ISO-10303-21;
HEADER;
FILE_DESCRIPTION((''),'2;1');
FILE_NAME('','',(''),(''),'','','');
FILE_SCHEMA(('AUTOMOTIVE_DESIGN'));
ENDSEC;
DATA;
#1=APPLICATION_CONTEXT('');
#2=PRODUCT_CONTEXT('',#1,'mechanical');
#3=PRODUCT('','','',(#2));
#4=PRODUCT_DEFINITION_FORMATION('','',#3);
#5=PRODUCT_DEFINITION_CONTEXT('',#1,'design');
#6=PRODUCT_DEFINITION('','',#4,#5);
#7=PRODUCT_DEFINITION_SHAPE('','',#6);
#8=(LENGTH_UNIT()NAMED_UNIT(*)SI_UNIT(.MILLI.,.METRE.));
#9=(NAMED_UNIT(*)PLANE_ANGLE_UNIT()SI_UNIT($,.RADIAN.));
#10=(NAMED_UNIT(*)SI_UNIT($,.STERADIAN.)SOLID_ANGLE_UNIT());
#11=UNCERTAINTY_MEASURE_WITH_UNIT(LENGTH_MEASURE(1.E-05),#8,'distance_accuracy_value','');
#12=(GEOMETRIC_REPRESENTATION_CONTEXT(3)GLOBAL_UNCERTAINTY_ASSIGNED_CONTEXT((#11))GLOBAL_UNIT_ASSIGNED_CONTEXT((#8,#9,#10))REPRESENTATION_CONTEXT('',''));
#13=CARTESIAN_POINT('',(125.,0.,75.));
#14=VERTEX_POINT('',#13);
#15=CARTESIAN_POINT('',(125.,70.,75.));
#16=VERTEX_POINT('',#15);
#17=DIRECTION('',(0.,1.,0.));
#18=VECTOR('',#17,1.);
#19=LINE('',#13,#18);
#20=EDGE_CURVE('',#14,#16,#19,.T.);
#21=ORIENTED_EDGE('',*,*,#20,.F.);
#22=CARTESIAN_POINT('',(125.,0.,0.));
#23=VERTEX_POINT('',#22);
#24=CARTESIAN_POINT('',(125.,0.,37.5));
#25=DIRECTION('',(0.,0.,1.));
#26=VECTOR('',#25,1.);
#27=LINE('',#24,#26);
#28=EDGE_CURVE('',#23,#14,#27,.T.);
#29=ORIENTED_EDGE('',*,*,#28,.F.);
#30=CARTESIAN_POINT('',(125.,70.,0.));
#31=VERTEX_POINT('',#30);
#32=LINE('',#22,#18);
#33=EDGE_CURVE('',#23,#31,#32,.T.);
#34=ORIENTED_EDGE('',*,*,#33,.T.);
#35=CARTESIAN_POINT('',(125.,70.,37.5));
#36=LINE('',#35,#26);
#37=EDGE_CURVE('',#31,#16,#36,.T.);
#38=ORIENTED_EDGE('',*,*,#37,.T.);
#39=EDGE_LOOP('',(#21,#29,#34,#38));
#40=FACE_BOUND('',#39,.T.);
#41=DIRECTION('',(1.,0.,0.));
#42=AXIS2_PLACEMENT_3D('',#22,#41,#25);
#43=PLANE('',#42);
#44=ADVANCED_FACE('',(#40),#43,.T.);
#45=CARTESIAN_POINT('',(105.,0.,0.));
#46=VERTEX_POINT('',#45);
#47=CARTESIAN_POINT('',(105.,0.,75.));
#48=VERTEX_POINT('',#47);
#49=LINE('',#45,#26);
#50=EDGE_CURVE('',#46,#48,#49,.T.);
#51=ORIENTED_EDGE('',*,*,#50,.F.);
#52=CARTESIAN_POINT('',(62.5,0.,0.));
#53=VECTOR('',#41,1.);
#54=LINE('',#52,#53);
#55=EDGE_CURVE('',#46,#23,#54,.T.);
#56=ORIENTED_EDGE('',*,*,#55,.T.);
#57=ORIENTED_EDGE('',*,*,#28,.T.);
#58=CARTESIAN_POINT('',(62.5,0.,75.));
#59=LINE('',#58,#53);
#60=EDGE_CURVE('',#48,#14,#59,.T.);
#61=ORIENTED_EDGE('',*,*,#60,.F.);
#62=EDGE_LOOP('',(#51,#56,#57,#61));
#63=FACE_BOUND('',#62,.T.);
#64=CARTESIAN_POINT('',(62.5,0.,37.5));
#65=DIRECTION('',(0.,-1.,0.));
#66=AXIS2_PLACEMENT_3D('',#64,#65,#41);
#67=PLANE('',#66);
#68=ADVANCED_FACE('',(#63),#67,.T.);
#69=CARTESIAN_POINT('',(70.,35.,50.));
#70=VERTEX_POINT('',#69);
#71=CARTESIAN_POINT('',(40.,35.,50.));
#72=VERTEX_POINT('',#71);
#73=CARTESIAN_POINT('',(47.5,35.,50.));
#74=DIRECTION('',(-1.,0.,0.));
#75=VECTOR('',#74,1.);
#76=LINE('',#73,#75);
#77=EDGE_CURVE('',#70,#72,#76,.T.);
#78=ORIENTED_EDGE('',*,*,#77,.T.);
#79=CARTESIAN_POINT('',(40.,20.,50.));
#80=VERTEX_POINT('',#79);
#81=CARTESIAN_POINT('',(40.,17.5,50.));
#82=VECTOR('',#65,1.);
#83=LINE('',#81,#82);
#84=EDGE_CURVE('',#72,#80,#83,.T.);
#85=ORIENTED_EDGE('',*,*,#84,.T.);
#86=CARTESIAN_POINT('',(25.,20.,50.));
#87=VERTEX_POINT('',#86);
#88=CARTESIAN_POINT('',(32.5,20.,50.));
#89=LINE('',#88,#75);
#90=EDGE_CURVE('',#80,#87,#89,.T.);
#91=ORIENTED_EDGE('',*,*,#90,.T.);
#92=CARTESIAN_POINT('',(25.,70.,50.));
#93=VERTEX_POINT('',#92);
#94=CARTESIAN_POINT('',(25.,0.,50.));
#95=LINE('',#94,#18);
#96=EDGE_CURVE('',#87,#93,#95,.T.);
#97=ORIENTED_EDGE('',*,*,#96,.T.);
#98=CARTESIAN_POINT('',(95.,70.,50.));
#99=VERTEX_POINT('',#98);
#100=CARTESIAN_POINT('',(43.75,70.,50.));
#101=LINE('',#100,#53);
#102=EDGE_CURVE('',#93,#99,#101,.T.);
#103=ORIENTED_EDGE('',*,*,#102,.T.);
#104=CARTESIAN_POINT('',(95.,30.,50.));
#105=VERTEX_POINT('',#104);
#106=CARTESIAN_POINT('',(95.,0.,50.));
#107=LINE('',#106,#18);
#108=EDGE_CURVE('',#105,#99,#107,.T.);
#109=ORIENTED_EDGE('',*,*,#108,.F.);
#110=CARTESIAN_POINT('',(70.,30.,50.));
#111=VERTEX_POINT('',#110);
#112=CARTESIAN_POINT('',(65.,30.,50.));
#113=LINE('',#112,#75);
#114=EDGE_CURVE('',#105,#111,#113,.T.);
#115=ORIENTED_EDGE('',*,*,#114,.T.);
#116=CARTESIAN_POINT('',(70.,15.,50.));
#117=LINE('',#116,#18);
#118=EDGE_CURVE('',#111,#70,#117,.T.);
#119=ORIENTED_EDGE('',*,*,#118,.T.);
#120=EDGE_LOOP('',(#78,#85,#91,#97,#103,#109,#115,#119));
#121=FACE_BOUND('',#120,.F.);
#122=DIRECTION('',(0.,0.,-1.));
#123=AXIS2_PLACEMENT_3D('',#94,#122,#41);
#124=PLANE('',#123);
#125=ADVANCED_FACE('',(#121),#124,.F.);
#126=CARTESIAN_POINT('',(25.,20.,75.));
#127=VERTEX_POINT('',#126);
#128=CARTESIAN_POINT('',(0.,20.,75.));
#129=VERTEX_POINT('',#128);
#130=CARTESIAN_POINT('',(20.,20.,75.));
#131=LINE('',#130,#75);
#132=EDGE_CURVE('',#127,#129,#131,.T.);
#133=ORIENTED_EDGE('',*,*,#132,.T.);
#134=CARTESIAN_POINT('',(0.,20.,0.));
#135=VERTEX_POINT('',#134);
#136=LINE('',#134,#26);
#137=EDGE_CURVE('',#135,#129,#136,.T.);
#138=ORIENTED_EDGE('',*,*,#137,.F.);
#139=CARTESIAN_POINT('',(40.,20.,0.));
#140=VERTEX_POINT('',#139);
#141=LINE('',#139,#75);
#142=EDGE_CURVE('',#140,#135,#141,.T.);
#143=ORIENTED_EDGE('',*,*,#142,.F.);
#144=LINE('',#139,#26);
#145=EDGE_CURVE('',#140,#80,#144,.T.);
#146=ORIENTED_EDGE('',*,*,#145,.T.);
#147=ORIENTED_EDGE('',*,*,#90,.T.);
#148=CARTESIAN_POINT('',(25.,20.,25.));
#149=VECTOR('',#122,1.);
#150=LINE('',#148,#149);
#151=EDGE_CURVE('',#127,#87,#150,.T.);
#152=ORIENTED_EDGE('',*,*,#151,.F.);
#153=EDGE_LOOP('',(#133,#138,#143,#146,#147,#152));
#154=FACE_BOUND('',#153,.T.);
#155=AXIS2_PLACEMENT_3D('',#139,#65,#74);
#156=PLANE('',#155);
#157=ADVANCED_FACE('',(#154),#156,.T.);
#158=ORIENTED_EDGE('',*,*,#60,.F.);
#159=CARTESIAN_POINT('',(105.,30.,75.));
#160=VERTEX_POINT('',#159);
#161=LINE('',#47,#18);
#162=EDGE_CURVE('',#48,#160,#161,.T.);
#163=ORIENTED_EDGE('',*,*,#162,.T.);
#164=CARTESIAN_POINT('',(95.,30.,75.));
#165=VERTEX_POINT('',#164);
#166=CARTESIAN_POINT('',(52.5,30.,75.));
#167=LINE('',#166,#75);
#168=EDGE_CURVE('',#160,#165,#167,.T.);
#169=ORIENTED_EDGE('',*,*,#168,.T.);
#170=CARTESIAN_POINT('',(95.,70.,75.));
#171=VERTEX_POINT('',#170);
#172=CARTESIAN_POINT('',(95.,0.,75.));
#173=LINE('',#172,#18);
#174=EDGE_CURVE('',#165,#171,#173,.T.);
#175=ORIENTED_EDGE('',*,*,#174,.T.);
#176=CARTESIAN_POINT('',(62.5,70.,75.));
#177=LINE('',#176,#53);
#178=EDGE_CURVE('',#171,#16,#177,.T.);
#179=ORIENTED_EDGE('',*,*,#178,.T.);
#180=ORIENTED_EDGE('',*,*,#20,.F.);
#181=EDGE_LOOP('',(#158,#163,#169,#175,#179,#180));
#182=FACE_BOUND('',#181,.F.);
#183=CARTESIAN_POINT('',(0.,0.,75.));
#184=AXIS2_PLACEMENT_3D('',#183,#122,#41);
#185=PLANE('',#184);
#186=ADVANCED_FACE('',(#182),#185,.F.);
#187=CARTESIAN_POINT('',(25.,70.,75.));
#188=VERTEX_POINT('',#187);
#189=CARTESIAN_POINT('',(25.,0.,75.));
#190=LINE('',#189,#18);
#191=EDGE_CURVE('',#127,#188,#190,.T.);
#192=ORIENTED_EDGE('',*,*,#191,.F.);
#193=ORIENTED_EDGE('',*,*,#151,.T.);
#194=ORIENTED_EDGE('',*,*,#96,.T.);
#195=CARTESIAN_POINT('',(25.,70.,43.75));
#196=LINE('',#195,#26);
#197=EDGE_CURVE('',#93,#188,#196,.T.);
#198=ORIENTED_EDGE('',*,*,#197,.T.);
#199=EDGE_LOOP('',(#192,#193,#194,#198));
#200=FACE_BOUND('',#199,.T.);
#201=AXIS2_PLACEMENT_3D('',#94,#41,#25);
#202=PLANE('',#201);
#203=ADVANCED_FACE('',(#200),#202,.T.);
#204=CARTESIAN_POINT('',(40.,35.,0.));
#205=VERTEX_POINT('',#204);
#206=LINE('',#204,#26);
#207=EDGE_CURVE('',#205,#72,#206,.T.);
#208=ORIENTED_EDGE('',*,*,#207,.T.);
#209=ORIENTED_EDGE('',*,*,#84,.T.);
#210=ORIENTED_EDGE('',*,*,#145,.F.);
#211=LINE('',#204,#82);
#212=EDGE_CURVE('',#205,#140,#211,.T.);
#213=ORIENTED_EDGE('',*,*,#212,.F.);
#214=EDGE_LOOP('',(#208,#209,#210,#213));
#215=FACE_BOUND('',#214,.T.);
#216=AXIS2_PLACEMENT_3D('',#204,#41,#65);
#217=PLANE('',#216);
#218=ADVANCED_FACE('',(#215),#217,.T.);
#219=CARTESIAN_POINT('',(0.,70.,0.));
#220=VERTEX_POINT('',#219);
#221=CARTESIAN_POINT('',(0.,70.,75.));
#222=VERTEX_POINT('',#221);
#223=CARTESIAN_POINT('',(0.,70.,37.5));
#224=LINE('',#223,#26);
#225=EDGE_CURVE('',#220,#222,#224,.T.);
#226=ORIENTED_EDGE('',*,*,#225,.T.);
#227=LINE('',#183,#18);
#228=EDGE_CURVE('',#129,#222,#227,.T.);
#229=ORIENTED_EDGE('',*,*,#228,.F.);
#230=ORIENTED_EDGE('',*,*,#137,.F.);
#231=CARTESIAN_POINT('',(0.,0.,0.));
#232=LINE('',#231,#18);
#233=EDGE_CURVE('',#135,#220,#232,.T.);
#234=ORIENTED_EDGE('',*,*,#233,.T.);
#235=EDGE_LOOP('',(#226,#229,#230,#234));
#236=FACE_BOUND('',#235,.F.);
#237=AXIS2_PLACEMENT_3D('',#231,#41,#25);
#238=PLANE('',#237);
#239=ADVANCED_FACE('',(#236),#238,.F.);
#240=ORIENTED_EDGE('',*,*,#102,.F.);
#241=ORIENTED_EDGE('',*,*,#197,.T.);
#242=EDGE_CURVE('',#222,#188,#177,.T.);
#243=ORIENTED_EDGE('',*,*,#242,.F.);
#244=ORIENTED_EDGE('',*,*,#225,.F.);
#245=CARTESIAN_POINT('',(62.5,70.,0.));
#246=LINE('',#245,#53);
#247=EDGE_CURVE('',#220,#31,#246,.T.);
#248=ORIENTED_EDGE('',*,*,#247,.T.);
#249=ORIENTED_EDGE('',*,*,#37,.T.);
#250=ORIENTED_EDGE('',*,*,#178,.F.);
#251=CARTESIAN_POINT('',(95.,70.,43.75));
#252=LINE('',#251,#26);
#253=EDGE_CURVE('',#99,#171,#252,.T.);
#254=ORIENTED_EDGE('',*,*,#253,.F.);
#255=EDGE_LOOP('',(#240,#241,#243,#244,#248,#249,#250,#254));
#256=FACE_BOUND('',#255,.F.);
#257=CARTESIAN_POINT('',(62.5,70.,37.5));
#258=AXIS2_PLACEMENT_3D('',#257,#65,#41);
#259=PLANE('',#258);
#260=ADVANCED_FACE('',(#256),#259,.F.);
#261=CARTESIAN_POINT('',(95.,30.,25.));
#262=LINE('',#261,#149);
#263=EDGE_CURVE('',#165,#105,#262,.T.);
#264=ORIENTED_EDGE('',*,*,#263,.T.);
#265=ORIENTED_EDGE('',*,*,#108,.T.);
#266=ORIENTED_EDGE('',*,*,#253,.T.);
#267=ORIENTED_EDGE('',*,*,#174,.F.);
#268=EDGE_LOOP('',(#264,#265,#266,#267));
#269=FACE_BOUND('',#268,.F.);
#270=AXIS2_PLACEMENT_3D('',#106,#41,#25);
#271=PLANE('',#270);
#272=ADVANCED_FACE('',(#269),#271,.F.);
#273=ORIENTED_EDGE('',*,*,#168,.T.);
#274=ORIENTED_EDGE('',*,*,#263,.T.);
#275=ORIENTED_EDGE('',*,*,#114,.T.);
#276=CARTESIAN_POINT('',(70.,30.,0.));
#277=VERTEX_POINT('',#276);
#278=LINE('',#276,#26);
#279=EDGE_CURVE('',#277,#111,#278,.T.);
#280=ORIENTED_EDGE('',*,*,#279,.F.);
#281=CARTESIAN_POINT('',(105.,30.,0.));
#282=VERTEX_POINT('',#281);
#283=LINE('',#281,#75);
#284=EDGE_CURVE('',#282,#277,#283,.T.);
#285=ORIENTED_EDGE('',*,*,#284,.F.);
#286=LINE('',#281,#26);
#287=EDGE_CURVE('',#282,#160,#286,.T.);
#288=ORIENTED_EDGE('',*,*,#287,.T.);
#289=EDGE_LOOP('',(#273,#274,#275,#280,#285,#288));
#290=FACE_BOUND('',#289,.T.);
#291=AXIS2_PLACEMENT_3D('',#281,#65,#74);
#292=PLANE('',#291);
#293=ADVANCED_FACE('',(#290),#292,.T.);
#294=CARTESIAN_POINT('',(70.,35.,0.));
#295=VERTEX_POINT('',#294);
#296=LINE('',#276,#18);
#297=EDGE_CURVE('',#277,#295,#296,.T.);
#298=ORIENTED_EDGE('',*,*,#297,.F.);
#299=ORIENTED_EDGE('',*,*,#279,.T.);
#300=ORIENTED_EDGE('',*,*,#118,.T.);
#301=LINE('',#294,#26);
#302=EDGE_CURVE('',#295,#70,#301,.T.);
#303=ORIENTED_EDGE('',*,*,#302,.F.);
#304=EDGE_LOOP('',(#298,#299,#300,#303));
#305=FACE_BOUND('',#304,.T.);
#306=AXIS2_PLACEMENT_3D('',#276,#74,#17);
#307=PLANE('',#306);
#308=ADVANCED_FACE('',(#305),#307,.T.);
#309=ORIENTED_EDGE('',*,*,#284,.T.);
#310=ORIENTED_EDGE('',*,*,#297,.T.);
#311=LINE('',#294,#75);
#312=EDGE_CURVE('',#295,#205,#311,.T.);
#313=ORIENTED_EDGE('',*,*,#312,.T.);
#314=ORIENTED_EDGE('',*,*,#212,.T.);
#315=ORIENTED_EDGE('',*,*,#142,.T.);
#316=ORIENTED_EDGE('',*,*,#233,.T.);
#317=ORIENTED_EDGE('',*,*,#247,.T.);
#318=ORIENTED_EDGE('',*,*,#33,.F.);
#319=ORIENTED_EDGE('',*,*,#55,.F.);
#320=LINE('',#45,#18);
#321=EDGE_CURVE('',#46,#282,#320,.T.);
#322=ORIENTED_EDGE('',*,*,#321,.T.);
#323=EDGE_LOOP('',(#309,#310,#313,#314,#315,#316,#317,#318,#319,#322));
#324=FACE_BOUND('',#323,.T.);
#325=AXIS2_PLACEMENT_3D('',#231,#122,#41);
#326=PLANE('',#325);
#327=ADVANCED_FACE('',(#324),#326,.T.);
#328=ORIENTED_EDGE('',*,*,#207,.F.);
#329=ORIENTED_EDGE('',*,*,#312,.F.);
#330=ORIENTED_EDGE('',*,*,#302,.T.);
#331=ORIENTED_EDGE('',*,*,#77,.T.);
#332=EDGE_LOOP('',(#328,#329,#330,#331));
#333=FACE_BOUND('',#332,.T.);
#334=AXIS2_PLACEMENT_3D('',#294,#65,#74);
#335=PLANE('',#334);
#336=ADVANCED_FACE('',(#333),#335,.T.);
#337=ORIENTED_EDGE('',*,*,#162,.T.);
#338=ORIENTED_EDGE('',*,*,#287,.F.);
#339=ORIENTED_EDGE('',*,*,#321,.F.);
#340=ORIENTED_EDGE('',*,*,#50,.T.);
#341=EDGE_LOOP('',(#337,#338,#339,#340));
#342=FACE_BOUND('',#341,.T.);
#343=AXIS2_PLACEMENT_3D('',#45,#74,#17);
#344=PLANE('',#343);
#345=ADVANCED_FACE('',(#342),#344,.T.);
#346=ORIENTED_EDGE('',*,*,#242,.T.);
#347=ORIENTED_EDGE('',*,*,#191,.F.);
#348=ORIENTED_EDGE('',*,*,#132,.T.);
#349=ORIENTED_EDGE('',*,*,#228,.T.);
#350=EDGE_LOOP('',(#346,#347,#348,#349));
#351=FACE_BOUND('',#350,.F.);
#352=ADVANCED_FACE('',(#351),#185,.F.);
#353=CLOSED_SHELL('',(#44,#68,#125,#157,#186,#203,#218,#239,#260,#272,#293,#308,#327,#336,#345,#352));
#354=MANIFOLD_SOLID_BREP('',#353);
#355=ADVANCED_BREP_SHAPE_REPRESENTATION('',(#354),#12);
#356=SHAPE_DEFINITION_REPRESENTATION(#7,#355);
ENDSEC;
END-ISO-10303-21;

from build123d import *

# Parameters (mm, degrees)
F0_W     = 125
F0_H     = 75
F1_DEPTH = 70
F2_W     = 70
F2_H     = 25
F3_DEPTH = 70.001
F5_DEPTH = 75.001


with BuildPart() as f1:
    # F0 (on Front) → F1 (new body)
    with BuildSketch(Plane.XZ):
        with Locations((62.5, 37.5)):
            Rectangle(F0_W, F0_H)
    extrude(amount=-F1_DEPTH)

    # F2 (on face) → F3 (cut, through all)
    with BuildSketch(Plane.XZ):
        with Locations((60, 62.5)):
            Rectangle(F2_W, F2_H)
    extrude(amount=-F3_DEPTH, mode=Mode.SUBTRACT)

    # F4 (on Top) → F5 (cut, through all)
    with BuildSketch(Plane.XY):
        Polygon((105, 0), (105, 30), (70, 30), (70, 35), (40, 35), (40, 20), (0, 20), (0, -31.133723), (125, -31.133723), (125, 0), align=None)
    extrude(amount=F5_DEPTH, mode=Mode.SUBTRACT)


solid = f1.part
